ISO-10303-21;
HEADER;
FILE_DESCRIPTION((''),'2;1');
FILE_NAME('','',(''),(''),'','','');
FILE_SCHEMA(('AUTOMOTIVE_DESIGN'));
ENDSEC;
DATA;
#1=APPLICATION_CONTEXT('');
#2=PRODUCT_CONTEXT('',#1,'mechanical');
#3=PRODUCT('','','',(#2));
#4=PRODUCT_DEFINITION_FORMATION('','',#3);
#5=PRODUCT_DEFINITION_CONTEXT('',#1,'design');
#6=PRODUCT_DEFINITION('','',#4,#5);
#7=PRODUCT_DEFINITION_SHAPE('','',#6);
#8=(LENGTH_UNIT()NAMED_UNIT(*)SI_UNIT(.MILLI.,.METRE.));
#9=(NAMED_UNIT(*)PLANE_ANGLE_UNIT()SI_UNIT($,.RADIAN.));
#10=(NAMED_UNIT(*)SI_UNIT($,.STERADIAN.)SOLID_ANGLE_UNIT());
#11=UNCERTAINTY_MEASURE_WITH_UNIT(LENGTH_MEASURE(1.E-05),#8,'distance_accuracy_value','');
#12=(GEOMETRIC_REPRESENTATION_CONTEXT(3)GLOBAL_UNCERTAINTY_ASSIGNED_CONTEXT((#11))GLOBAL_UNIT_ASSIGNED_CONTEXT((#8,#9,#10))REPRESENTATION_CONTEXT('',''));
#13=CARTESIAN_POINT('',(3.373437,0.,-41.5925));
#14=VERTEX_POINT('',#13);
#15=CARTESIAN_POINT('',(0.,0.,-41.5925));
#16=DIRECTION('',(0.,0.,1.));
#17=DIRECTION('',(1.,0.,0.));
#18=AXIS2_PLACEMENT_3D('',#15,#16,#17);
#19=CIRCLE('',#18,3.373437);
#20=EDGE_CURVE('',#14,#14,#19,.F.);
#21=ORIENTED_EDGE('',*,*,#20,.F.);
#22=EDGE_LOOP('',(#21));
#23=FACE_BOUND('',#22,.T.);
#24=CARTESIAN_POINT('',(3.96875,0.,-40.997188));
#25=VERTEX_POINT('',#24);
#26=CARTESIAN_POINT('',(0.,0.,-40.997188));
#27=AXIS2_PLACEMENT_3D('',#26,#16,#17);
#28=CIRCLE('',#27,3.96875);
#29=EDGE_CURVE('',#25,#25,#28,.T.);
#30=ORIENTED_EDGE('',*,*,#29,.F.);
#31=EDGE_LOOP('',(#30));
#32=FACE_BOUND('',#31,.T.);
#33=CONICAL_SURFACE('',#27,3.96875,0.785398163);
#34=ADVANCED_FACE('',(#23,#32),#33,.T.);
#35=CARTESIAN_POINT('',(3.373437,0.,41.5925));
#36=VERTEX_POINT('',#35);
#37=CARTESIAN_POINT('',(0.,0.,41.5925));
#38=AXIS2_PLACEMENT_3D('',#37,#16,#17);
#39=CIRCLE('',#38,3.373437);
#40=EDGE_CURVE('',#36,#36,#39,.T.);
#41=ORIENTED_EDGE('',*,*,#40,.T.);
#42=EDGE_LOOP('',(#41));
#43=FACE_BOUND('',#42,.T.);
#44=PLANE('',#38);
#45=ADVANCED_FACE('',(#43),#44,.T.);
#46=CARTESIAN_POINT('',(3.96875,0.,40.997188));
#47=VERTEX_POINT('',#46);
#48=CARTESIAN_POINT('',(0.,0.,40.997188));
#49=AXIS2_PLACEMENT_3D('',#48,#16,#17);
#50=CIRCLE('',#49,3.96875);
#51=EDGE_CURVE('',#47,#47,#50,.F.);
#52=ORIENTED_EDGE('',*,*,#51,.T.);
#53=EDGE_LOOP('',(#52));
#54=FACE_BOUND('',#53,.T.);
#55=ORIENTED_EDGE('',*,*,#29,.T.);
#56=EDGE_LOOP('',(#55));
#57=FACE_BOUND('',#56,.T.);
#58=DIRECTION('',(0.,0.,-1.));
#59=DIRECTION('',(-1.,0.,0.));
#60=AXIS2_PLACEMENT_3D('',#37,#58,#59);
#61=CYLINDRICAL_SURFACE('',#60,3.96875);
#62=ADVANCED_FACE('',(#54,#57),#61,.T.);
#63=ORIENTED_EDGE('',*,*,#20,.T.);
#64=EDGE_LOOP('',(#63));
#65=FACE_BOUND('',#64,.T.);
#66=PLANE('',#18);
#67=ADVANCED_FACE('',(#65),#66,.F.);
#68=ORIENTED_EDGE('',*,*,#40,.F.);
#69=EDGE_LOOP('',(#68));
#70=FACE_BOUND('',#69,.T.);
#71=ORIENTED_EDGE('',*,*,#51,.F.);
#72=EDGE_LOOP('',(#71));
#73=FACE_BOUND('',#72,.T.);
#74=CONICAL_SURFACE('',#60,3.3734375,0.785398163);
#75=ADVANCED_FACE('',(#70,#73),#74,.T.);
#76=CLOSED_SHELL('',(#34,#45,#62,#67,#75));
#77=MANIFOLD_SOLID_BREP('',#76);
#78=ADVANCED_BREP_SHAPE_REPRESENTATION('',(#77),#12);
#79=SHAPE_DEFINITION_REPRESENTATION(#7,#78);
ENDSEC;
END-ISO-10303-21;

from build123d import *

# Parameters (mm, degrees)
SKETCH2_R                = 3.96875
BOSS_EXTRUDE1_DEPTH      = 41.5925
BOSS_EXTRUDE1_DEPTH_BACK = 41.5925
CHAMFER1_SIZE            = 0.5953125


with BuildPart() as part:
    # Sketch2 → Boss-Extrude1 (new body, two sides)
    with BuildSketch(Plane.XY) as boss_extrude1_sk:
        Circle(SKETCH2_R)
    extrude(amount=BOSS_EXTRUDE1_DEPTH)
    extrude(boss_extrude1_sk.sketch, amount=-BOSS_EXTRUDE1_DEPTH_BACK)

    # Chamfer1
    chamfer1_edges = [part.edges().sort_by_distance(p)[0] for p in [
        (-3.96875, 0, -41.5925),
        (-3.96875, 0, 41.5925),
    ]]
    chamfer(chamfer1_edges, length=CHAMFER1_SIZE)


solid = part.part
